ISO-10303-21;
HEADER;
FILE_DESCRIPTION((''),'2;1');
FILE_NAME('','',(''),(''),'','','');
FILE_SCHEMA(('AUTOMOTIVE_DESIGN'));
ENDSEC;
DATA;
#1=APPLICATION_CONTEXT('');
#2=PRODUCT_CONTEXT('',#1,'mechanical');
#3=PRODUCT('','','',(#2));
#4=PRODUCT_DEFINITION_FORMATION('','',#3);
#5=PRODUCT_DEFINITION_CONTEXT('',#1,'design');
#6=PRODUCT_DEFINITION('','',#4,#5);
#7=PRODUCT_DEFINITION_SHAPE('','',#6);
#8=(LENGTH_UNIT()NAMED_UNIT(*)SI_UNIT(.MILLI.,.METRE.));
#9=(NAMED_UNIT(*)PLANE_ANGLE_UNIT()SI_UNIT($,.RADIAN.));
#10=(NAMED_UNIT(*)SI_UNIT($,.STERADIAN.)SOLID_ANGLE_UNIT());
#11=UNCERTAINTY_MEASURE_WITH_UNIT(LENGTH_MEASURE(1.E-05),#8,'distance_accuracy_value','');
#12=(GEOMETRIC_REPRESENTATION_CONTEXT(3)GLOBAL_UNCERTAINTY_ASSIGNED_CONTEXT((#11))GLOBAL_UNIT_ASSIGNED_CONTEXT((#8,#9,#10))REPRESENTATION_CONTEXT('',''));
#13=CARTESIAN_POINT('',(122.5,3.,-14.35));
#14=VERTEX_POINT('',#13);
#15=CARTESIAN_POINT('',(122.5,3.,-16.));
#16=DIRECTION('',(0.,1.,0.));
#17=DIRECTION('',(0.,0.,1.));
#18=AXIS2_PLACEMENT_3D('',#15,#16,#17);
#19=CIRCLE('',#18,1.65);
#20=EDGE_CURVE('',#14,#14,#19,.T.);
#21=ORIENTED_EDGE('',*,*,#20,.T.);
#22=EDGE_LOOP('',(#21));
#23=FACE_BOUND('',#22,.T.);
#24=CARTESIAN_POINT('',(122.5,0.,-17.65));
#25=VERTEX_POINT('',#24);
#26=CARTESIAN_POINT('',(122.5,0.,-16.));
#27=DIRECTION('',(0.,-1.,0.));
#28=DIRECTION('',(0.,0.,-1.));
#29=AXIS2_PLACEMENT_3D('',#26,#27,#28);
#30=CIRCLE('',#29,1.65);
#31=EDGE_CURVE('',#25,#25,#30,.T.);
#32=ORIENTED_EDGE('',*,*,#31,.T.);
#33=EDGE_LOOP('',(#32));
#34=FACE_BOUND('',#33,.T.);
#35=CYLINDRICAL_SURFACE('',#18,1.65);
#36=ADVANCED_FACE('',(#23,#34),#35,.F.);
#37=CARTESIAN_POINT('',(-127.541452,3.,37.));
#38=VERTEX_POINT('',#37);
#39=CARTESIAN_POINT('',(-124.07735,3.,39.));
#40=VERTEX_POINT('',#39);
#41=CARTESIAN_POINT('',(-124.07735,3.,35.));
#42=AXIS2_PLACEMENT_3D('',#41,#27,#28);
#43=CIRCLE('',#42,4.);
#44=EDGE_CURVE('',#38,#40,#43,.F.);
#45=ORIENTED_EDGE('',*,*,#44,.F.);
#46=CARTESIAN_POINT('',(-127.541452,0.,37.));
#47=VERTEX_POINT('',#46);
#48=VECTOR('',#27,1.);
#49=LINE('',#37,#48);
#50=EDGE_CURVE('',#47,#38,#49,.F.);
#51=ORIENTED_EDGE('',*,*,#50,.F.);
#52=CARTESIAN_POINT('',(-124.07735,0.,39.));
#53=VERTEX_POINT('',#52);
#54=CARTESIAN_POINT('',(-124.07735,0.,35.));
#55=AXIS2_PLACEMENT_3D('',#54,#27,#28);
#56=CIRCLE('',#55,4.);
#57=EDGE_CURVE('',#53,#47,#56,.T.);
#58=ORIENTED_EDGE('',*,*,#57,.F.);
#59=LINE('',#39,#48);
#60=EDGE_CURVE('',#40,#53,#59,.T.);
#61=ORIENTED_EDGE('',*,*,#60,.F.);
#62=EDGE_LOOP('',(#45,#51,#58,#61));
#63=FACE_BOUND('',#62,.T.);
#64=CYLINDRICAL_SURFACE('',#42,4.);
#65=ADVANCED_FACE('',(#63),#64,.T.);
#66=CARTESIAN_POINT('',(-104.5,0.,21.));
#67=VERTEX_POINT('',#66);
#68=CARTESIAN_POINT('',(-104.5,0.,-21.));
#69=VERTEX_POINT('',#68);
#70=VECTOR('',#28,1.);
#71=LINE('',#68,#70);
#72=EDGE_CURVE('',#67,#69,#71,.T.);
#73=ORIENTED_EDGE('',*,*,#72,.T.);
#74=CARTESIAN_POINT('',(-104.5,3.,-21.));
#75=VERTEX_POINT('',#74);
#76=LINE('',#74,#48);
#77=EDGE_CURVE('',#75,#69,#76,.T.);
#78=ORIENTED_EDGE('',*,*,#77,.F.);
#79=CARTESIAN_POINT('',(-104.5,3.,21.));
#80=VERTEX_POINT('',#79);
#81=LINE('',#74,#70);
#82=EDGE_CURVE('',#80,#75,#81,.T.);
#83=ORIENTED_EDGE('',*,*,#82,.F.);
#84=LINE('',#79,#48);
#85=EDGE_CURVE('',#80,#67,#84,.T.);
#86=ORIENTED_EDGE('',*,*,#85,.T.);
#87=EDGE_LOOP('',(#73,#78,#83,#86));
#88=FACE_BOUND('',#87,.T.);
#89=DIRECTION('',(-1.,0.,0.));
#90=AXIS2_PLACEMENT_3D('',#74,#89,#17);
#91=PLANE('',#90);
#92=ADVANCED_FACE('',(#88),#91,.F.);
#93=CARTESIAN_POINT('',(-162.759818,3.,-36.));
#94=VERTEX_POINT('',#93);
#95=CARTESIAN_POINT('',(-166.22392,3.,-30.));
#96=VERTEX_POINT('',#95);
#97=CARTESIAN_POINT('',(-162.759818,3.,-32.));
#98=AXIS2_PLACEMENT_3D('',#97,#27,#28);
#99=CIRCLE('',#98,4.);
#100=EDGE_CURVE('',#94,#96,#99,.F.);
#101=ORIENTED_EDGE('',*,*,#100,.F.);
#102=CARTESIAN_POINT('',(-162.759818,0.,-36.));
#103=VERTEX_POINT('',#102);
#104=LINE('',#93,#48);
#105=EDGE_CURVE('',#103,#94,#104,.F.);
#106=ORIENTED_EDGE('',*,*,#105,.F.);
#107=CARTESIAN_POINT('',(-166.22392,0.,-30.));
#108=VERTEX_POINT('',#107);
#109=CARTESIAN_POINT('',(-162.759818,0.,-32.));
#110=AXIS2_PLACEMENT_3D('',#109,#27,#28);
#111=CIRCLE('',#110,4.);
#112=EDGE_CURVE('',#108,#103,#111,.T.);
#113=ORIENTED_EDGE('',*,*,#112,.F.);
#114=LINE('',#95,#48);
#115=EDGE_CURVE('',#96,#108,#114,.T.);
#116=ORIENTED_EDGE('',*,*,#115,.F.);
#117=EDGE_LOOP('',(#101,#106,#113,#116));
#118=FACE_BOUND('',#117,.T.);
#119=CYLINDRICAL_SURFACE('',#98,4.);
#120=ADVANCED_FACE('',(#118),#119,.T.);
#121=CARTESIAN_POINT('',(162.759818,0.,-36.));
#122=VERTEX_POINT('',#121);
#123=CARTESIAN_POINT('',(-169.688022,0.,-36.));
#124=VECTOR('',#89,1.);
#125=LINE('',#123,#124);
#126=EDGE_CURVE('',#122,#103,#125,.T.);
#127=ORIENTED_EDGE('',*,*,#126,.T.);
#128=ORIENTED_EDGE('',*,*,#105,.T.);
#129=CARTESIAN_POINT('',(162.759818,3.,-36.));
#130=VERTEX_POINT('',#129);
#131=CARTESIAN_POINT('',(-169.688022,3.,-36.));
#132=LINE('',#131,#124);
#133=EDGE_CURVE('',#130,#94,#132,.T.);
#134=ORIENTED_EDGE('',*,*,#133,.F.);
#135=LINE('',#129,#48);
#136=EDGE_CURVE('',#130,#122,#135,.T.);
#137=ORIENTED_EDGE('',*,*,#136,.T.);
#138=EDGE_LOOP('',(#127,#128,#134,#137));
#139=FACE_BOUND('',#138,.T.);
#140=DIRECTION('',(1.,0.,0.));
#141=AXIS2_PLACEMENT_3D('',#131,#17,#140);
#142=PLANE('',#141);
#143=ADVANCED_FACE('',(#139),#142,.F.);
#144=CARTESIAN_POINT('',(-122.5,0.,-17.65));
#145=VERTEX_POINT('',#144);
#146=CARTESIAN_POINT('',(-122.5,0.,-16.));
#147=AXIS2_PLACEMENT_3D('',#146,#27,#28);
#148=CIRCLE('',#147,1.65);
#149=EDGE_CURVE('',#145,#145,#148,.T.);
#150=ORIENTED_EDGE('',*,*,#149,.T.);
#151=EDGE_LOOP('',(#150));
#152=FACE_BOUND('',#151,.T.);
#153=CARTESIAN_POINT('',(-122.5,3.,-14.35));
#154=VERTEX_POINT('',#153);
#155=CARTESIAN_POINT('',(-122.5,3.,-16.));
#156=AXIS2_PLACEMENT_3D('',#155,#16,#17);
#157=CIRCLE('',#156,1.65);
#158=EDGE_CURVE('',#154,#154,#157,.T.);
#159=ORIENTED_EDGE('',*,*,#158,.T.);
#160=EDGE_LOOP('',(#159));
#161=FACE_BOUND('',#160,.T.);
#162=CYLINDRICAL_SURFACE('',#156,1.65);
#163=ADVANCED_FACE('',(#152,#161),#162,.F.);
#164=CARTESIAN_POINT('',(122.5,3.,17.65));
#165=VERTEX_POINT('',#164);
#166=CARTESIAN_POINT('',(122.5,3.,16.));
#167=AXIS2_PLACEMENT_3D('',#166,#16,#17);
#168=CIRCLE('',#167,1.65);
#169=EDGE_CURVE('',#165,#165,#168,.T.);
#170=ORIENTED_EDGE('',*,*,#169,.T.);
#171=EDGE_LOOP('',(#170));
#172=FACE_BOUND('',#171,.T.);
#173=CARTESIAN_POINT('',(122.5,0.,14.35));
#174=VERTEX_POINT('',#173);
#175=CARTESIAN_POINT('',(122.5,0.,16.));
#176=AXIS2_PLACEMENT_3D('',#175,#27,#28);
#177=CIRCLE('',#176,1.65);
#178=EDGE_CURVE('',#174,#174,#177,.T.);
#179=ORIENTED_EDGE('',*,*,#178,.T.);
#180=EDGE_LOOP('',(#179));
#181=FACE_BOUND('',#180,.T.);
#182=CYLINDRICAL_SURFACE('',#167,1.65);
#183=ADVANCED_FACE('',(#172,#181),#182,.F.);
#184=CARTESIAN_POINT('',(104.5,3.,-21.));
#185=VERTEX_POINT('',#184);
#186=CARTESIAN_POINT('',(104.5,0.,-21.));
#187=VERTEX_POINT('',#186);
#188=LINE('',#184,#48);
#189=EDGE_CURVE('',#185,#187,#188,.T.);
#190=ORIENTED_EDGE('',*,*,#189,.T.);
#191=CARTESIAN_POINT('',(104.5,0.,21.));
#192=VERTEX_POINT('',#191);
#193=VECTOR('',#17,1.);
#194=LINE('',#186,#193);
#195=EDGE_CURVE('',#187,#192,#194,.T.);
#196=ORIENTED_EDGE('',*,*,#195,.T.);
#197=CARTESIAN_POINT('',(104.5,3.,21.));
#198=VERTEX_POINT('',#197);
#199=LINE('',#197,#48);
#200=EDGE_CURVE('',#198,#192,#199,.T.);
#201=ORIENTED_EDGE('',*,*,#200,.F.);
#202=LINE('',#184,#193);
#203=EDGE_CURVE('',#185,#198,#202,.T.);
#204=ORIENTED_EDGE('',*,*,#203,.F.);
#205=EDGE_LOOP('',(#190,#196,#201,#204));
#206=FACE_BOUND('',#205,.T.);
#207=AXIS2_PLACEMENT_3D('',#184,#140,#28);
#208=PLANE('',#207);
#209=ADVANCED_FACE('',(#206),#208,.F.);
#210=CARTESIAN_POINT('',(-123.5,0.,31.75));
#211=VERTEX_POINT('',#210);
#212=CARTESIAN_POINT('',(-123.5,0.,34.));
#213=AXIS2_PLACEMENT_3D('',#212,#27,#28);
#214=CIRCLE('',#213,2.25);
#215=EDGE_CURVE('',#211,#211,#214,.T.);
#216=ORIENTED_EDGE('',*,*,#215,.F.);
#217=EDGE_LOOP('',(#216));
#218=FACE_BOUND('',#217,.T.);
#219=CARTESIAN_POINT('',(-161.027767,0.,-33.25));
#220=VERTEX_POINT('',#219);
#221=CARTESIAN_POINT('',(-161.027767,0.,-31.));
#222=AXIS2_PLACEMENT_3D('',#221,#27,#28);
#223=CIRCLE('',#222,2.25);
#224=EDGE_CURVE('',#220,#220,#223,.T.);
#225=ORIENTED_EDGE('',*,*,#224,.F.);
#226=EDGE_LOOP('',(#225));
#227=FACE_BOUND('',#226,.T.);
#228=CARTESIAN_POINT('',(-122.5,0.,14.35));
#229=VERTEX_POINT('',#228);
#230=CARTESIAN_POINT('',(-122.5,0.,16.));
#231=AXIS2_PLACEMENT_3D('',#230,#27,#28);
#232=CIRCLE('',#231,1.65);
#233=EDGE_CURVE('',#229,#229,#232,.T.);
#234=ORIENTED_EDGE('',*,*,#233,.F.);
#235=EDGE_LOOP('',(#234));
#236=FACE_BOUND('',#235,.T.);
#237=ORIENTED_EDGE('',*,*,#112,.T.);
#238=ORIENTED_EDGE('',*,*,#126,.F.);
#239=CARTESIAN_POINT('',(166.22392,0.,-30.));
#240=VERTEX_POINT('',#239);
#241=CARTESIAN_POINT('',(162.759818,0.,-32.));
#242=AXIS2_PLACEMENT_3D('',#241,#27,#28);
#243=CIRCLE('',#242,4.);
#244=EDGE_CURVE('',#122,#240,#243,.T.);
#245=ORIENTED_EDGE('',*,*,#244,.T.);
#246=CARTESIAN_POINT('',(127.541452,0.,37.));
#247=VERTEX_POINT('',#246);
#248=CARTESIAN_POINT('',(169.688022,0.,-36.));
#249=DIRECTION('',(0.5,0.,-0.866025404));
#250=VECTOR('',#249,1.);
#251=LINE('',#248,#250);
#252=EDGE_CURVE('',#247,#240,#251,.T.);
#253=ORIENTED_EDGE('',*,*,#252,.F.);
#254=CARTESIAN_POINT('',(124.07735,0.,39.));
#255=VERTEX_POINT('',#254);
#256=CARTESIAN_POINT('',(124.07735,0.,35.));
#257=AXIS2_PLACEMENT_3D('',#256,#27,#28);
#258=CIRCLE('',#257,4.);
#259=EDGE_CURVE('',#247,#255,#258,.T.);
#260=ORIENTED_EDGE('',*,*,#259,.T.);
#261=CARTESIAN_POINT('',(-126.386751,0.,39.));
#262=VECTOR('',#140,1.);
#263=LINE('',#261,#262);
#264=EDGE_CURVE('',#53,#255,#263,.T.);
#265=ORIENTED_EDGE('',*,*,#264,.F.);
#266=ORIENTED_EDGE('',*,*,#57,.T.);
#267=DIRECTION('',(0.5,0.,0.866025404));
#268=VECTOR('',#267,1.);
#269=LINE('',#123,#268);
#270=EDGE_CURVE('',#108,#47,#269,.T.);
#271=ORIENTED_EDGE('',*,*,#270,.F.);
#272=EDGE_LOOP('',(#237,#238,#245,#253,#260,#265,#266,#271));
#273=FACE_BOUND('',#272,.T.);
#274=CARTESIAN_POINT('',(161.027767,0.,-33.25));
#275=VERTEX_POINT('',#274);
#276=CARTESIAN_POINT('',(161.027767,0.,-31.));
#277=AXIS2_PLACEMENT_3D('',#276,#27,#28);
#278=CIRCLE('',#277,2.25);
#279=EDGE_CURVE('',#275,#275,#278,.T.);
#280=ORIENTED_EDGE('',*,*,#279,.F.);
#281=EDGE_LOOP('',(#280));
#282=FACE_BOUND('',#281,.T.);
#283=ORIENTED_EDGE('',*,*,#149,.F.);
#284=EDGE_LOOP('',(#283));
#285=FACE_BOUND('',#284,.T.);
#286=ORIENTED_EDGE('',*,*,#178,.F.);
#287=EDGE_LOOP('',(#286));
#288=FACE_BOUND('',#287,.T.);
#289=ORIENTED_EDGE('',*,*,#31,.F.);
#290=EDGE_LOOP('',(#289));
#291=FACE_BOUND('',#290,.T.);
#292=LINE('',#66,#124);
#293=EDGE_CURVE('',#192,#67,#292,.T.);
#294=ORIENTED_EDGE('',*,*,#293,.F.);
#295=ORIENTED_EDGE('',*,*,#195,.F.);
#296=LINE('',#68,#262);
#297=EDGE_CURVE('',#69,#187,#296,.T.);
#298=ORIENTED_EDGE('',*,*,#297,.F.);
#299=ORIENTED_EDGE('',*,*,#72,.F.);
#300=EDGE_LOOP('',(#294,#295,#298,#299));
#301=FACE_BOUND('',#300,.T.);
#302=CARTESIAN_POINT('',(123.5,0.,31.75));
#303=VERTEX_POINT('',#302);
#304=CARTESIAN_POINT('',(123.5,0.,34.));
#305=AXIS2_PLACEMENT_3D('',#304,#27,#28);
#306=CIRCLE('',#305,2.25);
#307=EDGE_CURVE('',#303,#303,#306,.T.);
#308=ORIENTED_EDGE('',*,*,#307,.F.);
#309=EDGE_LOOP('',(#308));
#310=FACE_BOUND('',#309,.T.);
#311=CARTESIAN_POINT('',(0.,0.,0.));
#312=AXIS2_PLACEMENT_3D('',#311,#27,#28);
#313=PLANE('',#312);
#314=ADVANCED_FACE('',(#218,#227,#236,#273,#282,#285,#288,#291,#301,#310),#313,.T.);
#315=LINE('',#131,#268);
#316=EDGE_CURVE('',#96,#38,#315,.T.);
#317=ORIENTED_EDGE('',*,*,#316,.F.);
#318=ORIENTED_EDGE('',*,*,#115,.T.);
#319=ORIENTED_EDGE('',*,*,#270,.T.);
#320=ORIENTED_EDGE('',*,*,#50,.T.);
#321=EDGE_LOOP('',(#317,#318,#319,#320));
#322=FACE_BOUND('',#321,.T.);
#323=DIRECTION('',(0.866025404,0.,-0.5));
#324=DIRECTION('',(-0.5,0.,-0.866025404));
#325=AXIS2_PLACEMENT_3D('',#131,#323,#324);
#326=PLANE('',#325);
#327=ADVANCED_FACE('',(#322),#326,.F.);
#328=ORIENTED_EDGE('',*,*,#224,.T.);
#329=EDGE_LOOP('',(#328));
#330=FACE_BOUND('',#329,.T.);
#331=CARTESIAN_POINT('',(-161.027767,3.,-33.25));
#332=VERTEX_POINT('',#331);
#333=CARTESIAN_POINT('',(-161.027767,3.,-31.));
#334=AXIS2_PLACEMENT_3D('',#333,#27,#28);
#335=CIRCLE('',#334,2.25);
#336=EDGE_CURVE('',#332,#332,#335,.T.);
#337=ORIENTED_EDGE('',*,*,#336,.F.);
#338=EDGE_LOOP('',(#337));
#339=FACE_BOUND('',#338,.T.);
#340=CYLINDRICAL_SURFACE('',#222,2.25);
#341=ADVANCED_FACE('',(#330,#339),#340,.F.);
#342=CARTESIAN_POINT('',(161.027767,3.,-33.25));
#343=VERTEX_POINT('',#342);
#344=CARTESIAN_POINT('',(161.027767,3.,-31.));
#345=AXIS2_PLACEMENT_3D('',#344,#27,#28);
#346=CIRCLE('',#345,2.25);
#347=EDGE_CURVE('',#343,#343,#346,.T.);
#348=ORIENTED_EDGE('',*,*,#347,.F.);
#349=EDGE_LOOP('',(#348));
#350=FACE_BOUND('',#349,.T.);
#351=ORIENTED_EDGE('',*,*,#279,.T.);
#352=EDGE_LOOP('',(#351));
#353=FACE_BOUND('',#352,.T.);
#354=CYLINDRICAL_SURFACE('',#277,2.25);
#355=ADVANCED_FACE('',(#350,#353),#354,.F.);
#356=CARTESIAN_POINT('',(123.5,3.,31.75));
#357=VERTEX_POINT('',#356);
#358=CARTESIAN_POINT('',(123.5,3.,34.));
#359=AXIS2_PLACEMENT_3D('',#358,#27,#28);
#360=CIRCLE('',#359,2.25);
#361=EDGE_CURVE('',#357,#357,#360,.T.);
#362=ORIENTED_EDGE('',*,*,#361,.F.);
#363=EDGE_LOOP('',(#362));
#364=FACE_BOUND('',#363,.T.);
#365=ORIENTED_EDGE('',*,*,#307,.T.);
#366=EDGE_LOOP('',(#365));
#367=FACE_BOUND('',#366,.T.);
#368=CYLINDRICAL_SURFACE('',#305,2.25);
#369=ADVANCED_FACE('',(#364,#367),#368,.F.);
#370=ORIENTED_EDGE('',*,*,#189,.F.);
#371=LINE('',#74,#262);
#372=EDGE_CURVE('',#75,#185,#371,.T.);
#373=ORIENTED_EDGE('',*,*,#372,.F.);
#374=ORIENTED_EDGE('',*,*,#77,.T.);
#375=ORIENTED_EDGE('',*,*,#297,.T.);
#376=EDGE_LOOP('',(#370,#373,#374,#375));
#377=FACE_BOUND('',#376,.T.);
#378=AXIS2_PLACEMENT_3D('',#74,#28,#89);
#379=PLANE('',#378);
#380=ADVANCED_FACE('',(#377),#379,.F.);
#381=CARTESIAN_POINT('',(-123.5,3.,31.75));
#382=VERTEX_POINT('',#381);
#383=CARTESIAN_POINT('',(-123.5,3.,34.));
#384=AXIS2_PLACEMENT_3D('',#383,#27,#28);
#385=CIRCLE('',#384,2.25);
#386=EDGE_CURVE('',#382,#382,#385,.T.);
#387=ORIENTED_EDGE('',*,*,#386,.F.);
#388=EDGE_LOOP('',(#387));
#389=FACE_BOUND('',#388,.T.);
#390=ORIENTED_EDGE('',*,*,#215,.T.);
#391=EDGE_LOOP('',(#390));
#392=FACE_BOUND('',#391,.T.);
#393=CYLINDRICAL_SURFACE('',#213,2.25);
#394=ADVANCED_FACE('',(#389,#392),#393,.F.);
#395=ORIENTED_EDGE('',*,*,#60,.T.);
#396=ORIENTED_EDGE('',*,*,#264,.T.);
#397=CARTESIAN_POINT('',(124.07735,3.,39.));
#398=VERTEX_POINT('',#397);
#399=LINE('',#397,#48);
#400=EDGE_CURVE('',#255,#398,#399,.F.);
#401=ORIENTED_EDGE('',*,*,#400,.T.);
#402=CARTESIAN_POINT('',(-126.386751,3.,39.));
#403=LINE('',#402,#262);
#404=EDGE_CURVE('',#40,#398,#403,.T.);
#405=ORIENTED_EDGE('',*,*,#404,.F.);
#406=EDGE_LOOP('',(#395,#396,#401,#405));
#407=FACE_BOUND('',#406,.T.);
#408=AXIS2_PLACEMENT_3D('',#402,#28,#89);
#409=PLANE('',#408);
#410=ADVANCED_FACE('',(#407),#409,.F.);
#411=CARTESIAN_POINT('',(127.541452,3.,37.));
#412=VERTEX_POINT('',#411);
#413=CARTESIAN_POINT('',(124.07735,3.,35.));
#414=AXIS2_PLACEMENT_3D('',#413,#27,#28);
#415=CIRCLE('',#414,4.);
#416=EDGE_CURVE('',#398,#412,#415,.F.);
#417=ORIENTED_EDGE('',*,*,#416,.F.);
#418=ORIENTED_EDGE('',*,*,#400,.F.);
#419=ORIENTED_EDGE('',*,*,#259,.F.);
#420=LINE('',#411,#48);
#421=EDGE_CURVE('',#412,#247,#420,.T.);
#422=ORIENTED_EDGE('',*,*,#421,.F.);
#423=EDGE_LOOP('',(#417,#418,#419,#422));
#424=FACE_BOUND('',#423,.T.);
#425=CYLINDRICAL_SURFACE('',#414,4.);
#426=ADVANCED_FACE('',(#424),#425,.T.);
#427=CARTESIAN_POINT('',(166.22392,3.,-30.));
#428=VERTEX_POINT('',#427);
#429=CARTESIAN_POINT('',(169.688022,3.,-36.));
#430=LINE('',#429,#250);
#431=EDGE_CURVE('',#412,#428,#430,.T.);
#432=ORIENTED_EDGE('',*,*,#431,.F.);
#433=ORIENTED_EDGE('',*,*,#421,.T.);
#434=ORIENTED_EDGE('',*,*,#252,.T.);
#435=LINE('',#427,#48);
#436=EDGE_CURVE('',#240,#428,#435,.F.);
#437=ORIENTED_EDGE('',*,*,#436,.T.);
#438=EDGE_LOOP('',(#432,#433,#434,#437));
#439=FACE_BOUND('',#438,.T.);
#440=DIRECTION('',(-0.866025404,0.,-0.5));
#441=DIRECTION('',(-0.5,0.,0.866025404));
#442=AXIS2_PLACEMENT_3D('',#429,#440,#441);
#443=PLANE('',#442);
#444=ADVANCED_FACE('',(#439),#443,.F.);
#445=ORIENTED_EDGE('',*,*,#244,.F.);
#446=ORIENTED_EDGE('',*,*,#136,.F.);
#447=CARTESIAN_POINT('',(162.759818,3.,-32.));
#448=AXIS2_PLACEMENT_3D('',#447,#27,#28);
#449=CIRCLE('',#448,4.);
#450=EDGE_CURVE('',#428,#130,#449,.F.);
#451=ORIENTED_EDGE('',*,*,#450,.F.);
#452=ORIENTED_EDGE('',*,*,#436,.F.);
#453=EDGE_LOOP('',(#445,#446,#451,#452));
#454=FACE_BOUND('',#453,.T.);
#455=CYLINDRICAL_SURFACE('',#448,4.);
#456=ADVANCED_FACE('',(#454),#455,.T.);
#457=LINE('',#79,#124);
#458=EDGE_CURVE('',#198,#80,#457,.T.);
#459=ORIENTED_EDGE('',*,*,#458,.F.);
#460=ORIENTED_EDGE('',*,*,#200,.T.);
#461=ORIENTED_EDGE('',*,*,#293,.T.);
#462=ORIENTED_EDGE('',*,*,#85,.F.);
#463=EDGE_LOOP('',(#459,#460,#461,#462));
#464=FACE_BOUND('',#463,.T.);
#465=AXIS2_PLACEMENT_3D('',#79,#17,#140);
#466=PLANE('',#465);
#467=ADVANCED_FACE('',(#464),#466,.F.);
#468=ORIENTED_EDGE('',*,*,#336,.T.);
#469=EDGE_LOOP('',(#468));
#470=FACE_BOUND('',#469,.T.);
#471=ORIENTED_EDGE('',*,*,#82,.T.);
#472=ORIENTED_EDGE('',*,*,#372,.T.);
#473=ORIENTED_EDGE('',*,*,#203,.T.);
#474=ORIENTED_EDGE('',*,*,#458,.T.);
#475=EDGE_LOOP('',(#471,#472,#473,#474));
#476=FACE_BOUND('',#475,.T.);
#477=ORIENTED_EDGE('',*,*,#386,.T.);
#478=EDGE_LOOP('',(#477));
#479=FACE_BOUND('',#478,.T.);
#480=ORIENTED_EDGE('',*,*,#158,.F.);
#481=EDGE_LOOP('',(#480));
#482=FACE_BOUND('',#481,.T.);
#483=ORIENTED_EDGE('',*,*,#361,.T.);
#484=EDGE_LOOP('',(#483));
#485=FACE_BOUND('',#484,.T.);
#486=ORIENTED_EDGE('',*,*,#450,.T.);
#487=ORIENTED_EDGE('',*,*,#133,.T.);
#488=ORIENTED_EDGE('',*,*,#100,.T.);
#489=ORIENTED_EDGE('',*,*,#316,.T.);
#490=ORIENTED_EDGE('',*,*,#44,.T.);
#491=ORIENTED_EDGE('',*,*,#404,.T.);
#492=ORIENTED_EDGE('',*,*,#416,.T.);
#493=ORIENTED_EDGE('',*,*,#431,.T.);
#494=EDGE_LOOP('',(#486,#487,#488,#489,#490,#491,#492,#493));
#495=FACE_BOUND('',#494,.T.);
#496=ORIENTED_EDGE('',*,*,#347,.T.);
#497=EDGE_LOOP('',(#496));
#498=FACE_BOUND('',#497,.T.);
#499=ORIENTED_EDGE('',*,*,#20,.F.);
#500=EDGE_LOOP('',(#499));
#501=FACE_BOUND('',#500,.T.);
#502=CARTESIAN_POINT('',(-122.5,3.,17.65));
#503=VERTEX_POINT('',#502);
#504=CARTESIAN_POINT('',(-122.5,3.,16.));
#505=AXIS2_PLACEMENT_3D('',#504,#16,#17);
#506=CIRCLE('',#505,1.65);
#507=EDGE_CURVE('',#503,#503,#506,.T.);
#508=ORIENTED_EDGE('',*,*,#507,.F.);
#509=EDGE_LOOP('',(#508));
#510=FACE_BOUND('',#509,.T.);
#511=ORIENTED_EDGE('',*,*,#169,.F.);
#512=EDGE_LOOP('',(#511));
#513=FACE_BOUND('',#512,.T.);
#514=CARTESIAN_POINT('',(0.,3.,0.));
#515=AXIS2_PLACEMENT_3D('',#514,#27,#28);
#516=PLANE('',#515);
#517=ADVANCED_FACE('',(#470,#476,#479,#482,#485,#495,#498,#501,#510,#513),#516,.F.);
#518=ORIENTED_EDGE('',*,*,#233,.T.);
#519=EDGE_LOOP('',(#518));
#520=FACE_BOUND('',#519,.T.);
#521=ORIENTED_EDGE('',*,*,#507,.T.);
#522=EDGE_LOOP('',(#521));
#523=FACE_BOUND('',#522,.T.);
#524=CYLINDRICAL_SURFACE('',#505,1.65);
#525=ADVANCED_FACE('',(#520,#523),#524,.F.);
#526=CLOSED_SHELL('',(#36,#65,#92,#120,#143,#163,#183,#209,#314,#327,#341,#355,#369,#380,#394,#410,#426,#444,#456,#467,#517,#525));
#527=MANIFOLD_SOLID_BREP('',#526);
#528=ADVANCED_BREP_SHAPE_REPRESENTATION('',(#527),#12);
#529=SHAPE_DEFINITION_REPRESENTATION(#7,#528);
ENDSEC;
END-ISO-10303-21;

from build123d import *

# Parameters (mm, degrees)
EXTRUDE_1_DEPTH        = 3
HOLE_WIZARD_M4_1_D     = 3.3
HOLE_WIZARD_M4_1_DEPTH = 11.5
HOLE_WIZARD_M4_1_TIP   = 0.991420021
HOLE_WIZARD_M4_2_D     = 4.5
HOLE_WIZARD_M4_2_DEPTH = 8
HOLE_WIZARD_M4_2_TIP   = 1.351936393
FILLET_1_R             = 4
SKETCH_9_W             = 209
SKETCH_9_H             = 42
CUT_EXTRUDE_1_DEPTH    = 172.28583421


with BuildPart() as part:
    # 草图1 → 凸台-拉伸1 (new body)
    with BuildSketch(Plane(origin=(0, 0, 0), x_dir=(1, 0, 0), z_dir=(0, 1, 0))):
        Polygon((-169.688021535, 36), (-126.386751346, -39), (126.386751346, -39), (169.688021535, 36), align=None)
    extrude(amount=EXTRUDE_1_DEPTH)

    # M4 螺纹孔1
    with Locations(Plane(origin=(0, 3, 0), x_dir=(1, 0, 0), z_dir=(0, 1, 0))):
        with Locations((122.5, 16), (-122.5, -16), (-122.5, 16), (122.5, -16)):
            Hole(HOLE_WIZARD_M4_1_D / 2, depth=HOLE_WIZARD_M4_1_DEPTH)
            with Locations((0, 0, -(HOLE_WIZARD_M4_1_DEPTH + HOLE_WIZARD_M4_1_TIP / 2))):  # 118° drill point
                Cone(0, HOLE_WIZARD_M4_1_D / 2, HOLE_WIZARD_M4_1_TIP, mode=Mode.SUBTRACT)

    # M4 间隙孔2
    with Locations(Plane(origin=(0, 0, 0), x_dir=(-1, 0, 0), z_dir=(0, -1, 0))):
        with Locations((-123.5, -34), (123.5, -34), (161.027767497, 31), (-161.027767497, 31)):
            Hole(HOLE_WIZARD_M4_2_D / 2, depth=HOLE_WIZARD_M4_2_DEPTH)
            with Locations((0, 0, -(HOLE_WIZARD_M4_2_DEPTH + HOLE_WIZARD_M4_2_TIP / 2))):  # 118° drill point
                Cone(0, HOLE_WIZARD_M4_2_D / 2, HOLE_WIZARD_M4_2_TIP, mode=Mode.SUBTRACT)

    # 圆角1
    fillet_1_edges = [part.edges().sort_by_distance(p)[0] for p in [
        (169.688021535, 1.5, -36),
        (126.386751346, 1.5, 39),
        (-126.386751346, 1.5, 39),
        (-169.688021535, 1.5, -36),
    ]]
    fillet(fillet_1_edges, radius=FILLET_1_R)

    # 草图9 → 切除-拉伸1 (cut, through all)
    with BuildSketch(Plane.XZ):
        Rectangle(SKETCH_9_W, SKETCH_9_H)
    extrude(amount=-CUT_EXTRUDE_1_DEPTH, mode=Mode.SUBTRACT)


solid = part.part
